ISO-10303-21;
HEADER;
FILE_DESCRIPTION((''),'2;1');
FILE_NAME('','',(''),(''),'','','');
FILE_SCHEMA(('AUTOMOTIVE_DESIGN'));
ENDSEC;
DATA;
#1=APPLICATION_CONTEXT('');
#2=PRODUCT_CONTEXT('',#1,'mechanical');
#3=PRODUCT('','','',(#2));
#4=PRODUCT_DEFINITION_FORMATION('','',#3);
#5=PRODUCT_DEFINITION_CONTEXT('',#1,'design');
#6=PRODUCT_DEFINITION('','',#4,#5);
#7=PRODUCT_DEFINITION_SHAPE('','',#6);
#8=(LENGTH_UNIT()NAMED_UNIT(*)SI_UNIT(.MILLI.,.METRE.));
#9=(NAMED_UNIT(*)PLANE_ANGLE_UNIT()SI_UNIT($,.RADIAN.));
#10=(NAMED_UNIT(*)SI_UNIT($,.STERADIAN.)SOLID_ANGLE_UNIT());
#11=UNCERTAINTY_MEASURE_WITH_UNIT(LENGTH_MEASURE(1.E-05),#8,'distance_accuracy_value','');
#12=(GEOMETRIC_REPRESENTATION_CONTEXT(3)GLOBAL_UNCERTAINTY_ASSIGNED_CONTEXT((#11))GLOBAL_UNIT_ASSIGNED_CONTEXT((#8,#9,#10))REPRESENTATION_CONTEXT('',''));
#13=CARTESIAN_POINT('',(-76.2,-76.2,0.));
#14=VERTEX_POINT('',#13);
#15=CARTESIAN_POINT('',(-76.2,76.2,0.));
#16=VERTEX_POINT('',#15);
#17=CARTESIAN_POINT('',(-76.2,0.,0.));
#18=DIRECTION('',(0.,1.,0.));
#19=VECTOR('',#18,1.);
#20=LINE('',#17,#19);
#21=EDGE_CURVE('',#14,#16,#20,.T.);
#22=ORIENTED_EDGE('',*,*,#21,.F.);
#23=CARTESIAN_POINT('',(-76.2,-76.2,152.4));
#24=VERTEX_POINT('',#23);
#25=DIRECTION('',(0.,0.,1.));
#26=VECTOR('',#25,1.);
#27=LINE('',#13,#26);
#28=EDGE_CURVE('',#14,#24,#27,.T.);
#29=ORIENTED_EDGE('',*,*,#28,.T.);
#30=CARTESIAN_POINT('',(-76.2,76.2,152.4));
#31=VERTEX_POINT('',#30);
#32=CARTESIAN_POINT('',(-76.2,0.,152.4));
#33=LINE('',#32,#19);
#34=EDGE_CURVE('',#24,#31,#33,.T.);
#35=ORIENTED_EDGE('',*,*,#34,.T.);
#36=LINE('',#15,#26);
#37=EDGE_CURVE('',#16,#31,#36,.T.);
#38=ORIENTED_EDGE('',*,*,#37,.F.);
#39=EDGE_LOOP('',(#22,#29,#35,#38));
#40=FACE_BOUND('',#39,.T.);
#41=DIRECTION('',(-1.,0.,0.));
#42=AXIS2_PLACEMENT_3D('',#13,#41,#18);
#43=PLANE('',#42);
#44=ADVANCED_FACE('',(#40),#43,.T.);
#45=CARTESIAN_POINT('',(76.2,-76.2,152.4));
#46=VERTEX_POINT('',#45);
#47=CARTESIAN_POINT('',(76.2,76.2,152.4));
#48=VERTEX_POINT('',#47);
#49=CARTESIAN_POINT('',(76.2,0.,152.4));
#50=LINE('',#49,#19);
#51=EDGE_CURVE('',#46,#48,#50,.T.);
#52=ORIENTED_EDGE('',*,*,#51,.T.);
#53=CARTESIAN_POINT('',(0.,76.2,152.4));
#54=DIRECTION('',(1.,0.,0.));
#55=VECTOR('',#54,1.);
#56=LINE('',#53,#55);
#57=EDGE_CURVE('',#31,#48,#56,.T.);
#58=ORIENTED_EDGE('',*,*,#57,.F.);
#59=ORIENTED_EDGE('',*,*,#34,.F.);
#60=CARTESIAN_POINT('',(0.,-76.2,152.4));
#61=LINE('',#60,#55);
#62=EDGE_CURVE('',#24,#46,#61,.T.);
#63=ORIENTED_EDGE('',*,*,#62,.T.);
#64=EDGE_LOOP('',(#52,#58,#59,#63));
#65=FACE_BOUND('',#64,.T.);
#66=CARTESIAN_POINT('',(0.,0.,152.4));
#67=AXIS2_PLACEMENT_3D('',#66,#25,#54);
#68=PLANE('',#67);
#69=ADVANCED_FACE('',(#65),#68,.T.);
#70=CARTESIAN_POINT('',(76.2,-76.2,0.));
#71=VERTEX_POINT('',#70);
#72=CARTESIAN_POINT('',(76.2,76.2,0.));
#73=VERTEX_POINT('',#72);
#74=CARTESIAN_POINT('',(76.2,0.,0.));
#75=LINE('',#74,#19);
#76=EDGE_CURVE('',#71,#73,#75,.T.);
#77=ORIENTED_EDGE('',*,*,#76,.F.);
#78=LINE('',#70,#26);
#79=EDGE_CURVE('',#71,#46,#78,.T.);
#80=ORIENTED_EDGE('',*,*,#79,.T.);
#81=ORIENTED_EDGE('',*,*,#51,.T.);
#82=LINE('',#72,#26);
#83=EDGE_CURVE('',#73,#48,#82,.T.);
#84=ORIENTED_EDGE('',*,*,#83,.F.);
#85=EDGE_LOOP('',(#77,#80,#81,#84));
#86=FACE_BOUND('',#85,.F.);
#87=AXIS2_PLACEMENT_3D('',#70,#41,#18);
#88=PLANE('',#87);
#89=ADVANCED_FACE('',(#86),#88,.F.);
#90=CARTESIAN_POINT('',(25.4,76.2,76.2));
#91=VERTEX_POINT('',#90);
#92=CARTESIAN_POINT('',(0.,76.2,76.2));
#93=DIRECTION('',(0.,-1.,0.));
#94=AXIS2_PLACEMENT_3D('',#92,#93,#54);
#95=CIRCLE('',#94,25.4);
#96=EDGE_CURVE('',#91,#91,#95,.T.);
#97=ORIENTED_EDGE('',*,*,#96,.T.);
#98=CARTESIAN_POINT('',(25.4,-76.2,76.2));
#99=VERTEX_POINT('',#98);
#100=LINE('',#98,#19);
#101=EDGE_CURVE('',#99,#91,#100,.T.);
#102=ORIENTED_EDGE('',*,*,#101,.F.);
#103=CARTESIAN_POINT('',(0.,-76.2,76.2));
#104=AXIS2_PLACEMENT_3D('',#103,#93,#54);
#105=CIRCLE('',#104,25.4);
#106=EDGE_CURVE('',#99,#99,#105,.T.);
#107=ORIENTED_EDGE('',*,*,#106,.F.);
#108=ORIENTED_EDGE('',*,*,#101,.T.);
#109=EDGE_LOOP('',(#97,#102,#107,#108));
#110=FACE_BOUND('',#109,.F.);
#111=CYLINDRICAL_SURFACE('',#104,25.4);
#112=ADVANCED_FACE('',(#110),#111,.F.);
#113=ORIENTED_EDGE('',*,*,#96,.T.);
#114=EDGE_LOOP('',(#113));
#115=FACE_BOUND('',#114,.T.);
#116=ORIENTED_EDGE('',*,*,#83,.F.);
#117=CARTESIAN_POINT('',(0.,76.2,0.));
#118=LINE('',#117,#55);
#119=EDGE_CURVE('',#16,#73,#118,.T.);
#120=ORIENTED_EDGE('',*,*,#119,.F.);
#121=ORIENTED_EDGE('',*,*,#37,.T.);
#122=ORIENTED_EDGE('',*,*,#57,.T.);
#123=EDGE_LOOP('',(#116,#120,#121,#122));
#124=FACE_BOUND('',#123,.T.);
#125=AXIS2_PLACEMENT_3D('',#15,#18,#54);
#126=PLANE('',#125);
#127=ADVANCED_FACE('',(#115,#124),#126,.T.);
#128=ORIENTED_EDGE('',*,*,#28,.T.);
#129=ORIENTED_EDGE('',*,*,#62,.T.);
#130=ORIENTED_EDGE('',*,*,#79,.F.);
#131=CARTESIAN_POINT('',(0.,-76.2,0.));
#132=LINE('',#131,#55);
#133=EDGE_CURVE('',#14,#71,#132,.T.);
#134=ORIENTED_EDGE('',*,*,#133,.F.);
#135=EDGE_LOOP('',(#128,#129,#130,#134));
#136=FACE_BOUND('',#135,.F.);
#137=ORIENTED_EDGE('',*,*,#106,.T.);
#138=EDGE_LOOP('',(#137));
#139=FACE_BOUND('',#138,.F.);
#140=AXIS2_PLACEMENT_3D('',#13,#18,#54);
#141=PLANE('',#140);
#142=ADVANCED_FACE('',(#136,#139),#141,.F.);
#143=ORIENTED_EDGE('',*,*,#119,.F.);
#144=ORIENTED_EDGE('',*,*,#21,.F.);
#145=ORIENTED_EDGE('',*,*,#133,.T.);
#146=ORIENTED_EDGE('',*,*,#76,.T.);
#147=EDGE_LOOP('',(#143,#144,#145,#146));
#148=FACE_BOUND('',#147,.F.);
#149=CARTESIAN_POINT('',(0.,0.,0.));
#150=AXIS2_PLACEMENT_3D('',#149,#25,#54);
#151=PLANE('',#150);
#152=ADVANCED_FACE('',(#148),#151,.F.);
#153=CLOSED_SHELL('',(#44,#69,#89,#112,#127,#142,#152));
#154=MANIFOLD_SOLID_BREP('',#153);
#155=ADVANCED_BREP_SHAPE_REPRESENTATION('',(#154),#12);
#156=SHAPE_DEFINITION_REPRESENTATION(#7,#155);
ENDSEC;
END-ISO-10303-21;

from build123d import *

# Parameters (mm, degrees)
F0_W     = 152.4
F0_H     = 152.4
F1_DEPTH = 152.4
F2_R     = 25.4
F3_DEPTH = 152.4


with BuildPart() as f1:
    # F0 (on Top) → F1 (new body)
    with BuildSketch(Plane.XY):
        Rectangle(F0_W, F0_H)
    extrude(amount=F1_DEPTH)

    # F2 (on face) → F3 (cut)
    with BuildSketch(Plane.XZ.offset(76.2)):
        with Locations((0, 76.2)):
            Circle(F2_R)
    extrude(amount=-F3_DEPTH, mode=Mode.SUBTRACT)


solid = f1.part
